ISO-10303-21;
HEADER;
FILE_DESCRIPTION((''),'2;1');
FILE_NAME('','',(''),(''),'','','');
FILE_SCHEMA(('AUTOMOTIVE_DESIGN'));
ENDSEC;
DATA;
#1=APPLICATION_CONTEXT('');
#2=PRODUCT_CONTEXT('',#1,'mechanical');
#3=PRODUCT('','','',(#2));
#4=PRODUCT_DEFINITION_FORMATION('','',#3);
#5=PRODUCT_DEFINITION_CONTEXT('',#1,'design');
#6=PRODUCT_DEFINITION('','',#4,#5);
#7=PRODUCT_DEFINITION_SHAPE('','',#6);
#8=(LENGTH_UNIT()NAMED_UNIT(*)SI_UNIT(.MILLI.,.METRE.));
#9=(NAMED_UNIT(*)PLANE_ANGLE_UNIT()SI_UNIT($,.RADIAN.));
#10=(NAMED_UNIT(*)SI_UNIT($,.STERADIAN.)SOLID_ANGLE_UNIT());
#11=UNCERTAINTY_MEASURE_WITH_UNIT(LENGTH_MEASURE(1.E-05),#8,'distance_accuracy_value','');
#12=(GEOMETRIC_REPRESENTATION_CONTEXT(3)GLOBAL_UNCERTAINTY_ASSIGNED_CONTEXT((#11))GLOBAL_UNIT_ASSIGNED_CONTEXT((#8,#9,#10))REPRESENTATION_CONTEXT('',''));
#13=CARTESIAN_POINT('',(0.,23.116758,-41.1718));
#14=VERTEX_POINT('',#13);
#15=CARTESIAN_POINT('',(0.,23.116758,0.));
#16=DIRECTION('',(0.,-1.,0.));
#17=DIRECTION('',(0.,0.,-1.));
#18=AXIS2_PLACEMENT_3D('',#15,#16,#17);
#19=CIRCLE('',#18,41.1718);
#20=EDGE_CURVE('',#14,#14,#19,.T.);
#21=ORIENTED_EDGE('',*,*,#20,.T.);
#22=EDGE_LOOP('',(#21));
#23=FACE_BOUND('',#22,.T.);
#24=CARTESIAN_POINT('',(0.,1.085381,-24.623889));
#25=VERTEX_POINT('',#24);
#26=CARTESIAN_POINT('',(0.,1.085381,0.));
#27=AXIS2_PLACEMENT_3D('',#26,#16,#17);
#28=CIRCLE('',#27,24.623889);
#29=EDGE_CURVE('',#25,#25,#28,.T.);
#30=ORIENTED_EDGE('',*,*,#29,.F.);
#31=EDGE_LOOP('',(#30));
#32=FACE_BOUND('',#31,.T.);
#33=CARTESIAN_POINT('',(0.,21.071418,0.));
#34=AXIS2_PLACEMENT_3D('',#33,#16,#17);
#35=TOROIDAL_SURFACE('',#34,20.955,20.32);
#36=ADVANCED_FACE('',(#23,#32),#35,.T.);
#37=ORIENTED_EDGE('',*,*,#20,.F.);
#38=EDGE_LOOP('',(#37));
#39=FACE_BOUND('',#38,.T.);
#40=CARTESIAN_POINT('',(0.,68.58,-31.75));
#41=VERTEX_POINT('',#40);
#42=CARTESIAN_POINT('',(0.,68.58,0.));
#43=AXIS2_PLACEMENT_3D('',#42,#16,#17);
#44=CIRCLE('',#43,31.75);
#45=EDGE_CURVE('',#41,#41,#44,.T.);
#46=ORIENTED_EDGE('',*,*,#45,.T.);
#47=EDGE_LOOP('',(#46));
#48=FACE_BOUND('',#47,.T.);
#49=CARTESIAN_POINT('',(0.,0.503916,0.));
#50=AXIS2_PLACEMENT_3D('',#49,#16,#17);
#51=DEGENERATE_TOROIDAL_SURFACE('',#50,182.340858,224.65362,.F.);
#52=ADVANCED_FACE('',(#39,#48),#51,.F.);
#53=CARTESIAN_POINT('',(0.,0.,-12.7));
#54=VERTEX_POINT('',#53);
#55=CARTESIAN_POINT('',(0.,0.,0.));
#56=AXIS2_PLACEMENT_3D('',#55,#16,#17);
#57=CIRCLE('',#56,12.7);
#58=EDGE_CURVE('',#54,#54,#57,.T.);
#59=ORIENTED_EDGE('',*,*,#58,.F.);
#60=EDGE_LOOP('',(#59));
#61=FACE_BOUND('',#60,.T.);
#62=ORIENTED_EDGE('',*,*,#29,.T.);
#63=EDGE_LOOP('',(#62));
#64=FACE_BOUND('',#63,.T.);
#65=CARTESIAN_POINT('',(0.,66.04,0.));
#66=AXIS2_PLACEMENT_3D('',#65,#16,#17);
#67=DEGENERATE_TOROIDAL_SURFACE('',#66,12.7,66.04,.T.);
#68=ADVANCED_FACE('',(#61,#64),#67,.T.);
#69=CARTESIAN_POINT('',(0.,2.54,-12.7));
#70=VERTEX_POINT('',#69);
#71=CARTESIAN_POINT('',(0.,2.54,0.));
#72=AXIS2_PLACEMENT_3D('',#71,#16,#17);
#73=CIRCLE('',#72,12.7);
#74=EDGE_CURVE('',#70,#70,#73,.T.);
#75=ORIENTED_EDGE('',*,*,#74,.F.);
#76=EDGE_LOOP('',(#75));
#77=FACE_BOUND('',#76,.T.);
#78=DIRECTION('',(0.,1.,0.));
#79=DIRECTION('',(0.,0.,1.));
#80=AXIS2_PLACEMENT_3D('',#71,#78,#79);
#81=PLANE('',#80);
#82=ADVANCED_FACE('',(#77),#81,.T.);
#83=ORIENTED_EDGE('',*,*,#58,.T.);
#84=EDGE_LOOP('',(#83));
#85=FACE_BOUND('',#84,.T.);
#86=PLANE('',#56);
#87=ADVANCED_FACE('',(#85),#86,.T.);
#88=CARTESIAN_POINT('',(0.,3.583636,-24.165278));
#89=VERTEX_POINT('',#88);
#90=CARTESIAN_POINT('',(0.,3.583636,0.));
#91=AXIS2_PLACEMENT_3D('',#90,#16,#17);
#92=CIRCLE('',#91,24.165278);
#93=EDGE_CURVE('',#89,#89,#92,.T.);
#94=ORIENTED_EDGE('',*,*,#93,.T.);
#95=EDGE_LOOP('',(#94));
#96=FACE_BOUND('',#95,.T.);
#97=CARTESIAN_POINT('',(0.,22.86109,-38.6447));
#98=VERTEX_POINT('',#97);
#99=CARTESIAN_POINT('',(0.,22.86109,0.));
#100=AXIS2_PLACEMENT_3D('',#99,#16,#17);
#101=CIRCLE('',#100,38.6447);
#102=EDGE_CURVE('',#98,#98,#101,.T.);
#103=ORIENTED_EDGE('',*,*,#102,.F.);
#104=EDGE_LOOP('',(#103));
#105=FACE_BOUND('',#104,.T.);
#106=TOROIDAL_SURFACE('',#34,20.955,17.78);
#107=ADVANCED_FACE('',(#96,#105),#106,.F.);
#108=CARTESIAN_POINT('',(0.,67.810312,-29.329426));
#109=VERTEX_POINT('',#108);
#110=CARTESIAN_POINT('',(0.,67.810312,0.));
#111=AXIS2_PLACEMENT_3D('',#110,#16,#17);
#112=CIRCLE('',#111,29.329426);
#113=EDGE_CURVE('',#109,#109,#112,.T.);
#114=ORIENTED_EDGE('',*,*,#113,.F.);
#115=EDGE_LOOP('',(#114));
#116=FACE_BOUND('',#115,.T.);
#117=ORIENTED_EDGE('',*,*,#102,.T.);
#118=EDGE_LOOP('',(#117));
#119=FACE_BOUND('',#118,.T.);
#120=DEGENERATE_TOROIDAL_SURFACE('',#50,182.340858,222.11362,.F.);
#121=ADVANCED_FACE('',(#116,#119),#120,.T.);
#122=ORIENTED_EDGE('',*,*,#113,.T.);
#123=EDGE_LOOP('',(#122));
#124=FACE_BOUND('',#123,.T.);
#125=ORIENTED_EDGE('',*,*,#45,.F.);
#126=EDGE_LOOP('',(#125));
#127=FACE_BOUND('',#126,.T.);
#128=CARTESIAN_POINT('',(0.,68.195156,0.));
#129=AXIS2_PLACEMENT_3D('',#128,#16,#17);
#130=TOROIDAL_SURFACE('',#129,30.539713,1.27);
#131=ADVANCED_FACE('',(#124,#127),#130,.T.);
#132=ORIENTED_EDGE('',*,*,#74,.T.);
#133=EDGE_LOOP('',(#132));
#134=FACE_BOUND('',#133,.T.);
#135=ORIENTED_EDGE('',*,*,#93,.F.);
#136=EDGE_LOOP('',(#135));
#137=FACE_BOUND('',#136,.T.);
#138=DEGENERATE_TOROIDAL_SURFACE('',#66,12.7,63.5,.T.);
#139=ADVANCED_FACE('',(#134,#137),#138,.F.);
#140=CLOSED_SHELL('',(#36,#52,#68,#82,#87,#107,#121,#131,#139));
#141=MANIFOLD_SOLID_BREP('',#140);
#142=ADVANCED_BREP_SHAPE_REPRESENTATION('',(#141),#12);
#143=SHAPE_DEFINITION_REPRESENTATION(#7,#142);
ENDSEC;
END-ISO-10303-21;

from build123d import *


with BuildPart() as part:
    # Sketch1 → Revolve1 (revolve)
    with BuildSketch(Plane.XY):
        with BuildLine():
            Line((0, 0), (12.7, 0))
            ThreePointArc((12.7, 0), (18.686592918, 0.271905112), (24.623888889, 1.085381429))
            ThreePointArc((24.623888889, 1.085381429), (37.202366298, 8.867914793), (41.171799597, 23.11675751))
            ThreePointArc((41.171799597, 23.11675751), (37.638540624, 46.092432968), (31.75, 68.58))
            ThreePointArc((31.75, 68.58), (30.154868715, 69.405443023), (29.329425692, 67.810311739))
            ThreePointArc((29.329425692, 67.810311739), (35.151388742, 45.576995764), (38.644699647, 22.861090061))
            ThreePointArc((38.644699647, 22.861090061), (35.171445511, 10.393352683), (24.165277778, 3.583635989))
            ThreePointArc((24.165277778, 3.583635989), (18.456339345, 2.801447223), (12.7, 2.54))
            Line((12.7, 2.54), (0, 2.54))
            Line((0, 2.54), (0, 0))
        make_face()
    revolve(axis=Axis((0, 0, 0), (0, 1, 0)))


solid = part.part
